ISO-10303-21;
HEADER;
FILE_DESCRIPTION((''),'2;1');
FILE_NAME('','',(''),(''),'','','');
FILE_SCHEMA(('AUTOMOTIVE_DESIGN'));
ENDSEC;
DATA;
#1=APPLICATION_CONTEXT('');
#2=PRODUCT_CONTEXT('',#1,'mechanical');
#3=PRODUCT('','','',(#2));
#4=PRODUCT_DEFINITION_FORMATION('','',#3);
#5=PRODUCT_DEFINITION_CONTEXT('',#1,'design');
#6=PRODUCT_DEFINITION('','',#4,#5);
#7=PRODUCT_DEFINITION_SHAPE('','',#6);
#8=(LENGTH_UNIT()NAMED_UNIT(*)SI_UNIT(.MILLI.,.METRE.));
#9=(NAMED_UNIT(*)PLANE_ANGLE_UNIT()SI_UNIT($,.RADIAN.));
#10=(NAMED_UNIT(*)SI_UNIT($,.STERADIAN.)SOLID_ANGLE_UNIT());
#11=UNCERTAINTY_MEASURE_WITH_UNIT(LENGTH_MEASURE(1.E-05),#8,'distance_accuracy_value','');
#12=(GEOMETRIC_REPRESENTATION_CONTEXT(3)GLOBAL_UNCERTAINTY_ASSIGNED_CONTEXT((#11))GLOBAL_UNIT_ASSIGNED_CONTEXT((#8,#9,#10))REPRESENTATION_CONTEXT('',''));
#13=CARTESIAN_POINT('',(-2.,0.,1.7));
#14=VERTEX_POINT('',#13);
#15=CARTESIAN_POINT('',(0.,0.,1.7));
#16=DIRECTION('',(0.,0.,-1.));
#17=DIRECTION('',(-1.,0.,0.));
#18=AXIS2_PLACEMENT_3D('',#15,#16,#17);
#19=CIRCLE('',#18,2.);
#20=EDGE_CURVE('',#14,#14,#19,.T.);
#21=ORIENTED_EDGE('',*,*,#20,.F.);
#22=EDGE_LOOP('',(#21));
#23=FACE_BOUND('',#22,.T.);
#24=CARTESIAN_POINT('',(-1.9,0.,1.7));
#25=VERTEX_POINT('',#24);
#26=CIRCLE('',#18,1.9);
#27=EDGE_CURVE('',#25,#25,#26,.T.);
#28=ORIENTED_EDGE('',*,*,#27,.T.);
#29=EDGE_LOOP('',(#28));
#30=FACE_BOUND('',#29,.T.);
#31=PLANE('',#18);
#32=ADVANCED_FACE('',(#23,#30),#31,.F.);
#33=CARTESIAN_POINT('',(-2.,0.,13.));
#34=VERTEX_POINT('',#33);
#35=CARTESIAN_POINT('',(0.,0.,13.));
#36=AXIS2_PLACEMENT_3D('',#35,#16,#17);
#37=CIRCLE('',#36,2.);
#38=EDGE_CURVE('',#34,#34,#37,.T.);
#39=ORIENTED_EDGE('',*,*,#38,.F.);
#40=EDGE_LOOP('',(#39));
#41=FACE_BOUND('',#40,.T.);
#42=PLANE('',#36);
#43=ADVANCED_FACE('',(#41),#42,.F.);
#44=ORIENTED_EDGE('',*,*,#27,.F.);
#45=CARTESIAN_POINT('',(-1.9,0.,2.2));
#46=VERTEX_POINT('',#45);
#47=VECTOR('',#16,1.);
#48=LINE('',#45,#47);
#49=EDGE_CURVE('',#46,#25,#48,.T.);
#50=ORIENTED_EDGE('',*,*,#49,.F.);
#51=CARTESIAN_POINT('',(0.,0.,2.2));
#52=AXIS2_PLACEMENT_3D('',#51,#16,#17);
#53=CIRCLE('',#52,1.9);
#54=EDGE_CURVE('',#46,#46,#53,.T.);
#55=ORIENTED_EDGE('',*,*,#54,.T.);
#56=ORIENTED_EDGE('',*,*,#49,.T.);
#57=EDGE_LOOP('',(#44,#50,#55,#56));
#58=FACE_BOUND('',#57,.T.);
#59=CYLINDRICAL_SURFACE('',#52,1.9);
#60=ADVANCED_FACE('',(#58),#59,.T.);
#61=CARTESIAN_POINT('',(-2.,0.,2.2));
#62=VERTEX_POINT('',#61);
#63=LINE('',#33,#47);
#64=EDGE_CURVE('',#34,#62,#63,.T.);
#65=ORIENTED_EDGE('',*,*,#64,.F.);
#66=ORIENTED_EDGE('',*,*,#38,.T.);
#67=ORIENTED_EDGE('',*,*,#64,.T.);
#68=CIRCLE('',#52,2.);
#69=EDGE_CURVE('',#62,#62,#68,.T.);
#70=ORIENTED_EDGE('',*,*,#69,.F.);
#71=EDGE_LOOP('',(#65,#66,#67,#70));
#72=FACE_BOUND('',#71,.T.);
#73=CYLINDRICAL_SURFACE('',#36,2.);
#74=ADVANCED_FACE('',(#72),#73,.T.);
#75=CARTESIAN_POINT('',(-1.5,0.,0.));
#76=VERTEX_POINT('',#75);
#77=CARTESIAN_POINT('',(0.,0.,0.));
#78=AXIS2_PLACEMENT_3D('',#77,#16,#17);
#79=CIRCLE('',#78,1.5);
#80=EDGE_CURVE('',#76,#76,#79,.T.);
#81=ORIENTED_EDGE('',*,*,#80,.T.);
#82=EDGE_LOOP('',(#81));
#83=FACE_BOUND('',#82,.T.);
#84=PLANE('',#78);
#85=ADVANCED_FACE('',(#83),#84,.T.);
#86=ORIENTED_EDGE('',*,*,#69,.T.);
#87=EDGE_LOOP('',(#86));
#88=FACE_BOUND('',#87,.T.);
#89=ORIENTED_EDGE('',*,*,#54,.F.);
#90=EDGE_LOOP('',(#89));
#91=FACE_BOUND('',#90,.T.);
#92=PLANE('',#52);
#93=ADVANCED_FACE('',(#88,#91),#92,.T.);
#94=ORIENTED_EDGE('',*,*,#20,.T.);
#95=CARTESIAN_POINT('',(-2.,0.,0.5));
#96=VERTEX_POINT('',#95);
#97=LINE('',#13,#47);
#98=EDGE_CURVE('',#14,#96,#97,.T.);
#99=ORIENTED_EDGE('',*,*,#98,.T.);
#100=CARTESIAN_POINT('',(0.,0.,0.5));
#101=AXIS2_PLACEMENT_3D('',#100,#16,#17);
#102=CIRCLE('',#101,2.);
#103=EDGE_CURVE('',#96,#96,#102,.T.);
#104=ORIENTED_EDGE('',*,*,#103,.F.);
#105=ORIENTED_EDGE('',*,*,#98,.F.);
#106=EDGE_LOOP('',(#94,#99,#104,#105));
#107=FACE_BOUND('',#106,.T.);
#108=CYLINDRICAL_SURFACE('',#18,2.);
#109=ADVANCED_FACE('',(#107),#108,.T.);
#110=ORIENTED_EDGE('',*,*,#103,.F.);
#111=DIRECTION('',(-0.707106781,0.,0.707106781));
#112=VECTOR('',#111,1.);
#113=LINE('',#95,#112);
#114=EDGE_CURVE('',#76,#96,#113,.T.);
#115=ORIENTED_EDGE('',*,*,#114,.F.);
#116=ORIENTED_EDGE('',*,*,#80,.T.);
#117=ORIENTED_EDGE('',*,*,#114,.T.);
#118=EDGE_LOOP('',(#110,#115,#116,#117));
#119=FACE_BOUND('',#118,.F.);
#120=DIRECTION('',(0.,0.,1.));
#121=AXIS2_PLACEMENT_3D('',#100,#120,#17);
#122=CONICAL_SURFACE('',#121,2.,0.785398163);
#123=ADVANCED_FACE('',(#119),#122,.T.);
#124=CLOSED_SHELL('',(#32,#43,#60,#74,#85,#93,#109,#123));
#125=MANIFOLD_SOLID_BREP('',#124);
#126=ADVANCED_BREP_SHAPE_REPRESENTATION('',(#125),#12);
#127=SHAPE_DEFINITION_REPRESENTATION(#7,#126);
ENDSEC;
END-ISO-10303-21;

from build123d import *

# Parameters (mm, degrees)
F2_SIZE = 0.5


with BuildPart() as f1:
    # F0 (on Front) → F1 (revolve)
    with BuildSketch(Plane.XZ):
        Polygon((-2, 0), (0, 0), (0, 13), (-2, 13), (-2, 2.2), (-1.9, 2.2), (-1.9, 1.7), (-2, 1.7), align=None)
    revolve(axis=Axis((0, 0, 6.5), (0, 0, -1)))

    # F2
    f2_edges = [f1.edges().sort_by_distance(p)[0] for p in [
        (2, 0, 0),
    ]]
    chamfer(f2_edges, length=F2_SIZE)


solid = f1.part
